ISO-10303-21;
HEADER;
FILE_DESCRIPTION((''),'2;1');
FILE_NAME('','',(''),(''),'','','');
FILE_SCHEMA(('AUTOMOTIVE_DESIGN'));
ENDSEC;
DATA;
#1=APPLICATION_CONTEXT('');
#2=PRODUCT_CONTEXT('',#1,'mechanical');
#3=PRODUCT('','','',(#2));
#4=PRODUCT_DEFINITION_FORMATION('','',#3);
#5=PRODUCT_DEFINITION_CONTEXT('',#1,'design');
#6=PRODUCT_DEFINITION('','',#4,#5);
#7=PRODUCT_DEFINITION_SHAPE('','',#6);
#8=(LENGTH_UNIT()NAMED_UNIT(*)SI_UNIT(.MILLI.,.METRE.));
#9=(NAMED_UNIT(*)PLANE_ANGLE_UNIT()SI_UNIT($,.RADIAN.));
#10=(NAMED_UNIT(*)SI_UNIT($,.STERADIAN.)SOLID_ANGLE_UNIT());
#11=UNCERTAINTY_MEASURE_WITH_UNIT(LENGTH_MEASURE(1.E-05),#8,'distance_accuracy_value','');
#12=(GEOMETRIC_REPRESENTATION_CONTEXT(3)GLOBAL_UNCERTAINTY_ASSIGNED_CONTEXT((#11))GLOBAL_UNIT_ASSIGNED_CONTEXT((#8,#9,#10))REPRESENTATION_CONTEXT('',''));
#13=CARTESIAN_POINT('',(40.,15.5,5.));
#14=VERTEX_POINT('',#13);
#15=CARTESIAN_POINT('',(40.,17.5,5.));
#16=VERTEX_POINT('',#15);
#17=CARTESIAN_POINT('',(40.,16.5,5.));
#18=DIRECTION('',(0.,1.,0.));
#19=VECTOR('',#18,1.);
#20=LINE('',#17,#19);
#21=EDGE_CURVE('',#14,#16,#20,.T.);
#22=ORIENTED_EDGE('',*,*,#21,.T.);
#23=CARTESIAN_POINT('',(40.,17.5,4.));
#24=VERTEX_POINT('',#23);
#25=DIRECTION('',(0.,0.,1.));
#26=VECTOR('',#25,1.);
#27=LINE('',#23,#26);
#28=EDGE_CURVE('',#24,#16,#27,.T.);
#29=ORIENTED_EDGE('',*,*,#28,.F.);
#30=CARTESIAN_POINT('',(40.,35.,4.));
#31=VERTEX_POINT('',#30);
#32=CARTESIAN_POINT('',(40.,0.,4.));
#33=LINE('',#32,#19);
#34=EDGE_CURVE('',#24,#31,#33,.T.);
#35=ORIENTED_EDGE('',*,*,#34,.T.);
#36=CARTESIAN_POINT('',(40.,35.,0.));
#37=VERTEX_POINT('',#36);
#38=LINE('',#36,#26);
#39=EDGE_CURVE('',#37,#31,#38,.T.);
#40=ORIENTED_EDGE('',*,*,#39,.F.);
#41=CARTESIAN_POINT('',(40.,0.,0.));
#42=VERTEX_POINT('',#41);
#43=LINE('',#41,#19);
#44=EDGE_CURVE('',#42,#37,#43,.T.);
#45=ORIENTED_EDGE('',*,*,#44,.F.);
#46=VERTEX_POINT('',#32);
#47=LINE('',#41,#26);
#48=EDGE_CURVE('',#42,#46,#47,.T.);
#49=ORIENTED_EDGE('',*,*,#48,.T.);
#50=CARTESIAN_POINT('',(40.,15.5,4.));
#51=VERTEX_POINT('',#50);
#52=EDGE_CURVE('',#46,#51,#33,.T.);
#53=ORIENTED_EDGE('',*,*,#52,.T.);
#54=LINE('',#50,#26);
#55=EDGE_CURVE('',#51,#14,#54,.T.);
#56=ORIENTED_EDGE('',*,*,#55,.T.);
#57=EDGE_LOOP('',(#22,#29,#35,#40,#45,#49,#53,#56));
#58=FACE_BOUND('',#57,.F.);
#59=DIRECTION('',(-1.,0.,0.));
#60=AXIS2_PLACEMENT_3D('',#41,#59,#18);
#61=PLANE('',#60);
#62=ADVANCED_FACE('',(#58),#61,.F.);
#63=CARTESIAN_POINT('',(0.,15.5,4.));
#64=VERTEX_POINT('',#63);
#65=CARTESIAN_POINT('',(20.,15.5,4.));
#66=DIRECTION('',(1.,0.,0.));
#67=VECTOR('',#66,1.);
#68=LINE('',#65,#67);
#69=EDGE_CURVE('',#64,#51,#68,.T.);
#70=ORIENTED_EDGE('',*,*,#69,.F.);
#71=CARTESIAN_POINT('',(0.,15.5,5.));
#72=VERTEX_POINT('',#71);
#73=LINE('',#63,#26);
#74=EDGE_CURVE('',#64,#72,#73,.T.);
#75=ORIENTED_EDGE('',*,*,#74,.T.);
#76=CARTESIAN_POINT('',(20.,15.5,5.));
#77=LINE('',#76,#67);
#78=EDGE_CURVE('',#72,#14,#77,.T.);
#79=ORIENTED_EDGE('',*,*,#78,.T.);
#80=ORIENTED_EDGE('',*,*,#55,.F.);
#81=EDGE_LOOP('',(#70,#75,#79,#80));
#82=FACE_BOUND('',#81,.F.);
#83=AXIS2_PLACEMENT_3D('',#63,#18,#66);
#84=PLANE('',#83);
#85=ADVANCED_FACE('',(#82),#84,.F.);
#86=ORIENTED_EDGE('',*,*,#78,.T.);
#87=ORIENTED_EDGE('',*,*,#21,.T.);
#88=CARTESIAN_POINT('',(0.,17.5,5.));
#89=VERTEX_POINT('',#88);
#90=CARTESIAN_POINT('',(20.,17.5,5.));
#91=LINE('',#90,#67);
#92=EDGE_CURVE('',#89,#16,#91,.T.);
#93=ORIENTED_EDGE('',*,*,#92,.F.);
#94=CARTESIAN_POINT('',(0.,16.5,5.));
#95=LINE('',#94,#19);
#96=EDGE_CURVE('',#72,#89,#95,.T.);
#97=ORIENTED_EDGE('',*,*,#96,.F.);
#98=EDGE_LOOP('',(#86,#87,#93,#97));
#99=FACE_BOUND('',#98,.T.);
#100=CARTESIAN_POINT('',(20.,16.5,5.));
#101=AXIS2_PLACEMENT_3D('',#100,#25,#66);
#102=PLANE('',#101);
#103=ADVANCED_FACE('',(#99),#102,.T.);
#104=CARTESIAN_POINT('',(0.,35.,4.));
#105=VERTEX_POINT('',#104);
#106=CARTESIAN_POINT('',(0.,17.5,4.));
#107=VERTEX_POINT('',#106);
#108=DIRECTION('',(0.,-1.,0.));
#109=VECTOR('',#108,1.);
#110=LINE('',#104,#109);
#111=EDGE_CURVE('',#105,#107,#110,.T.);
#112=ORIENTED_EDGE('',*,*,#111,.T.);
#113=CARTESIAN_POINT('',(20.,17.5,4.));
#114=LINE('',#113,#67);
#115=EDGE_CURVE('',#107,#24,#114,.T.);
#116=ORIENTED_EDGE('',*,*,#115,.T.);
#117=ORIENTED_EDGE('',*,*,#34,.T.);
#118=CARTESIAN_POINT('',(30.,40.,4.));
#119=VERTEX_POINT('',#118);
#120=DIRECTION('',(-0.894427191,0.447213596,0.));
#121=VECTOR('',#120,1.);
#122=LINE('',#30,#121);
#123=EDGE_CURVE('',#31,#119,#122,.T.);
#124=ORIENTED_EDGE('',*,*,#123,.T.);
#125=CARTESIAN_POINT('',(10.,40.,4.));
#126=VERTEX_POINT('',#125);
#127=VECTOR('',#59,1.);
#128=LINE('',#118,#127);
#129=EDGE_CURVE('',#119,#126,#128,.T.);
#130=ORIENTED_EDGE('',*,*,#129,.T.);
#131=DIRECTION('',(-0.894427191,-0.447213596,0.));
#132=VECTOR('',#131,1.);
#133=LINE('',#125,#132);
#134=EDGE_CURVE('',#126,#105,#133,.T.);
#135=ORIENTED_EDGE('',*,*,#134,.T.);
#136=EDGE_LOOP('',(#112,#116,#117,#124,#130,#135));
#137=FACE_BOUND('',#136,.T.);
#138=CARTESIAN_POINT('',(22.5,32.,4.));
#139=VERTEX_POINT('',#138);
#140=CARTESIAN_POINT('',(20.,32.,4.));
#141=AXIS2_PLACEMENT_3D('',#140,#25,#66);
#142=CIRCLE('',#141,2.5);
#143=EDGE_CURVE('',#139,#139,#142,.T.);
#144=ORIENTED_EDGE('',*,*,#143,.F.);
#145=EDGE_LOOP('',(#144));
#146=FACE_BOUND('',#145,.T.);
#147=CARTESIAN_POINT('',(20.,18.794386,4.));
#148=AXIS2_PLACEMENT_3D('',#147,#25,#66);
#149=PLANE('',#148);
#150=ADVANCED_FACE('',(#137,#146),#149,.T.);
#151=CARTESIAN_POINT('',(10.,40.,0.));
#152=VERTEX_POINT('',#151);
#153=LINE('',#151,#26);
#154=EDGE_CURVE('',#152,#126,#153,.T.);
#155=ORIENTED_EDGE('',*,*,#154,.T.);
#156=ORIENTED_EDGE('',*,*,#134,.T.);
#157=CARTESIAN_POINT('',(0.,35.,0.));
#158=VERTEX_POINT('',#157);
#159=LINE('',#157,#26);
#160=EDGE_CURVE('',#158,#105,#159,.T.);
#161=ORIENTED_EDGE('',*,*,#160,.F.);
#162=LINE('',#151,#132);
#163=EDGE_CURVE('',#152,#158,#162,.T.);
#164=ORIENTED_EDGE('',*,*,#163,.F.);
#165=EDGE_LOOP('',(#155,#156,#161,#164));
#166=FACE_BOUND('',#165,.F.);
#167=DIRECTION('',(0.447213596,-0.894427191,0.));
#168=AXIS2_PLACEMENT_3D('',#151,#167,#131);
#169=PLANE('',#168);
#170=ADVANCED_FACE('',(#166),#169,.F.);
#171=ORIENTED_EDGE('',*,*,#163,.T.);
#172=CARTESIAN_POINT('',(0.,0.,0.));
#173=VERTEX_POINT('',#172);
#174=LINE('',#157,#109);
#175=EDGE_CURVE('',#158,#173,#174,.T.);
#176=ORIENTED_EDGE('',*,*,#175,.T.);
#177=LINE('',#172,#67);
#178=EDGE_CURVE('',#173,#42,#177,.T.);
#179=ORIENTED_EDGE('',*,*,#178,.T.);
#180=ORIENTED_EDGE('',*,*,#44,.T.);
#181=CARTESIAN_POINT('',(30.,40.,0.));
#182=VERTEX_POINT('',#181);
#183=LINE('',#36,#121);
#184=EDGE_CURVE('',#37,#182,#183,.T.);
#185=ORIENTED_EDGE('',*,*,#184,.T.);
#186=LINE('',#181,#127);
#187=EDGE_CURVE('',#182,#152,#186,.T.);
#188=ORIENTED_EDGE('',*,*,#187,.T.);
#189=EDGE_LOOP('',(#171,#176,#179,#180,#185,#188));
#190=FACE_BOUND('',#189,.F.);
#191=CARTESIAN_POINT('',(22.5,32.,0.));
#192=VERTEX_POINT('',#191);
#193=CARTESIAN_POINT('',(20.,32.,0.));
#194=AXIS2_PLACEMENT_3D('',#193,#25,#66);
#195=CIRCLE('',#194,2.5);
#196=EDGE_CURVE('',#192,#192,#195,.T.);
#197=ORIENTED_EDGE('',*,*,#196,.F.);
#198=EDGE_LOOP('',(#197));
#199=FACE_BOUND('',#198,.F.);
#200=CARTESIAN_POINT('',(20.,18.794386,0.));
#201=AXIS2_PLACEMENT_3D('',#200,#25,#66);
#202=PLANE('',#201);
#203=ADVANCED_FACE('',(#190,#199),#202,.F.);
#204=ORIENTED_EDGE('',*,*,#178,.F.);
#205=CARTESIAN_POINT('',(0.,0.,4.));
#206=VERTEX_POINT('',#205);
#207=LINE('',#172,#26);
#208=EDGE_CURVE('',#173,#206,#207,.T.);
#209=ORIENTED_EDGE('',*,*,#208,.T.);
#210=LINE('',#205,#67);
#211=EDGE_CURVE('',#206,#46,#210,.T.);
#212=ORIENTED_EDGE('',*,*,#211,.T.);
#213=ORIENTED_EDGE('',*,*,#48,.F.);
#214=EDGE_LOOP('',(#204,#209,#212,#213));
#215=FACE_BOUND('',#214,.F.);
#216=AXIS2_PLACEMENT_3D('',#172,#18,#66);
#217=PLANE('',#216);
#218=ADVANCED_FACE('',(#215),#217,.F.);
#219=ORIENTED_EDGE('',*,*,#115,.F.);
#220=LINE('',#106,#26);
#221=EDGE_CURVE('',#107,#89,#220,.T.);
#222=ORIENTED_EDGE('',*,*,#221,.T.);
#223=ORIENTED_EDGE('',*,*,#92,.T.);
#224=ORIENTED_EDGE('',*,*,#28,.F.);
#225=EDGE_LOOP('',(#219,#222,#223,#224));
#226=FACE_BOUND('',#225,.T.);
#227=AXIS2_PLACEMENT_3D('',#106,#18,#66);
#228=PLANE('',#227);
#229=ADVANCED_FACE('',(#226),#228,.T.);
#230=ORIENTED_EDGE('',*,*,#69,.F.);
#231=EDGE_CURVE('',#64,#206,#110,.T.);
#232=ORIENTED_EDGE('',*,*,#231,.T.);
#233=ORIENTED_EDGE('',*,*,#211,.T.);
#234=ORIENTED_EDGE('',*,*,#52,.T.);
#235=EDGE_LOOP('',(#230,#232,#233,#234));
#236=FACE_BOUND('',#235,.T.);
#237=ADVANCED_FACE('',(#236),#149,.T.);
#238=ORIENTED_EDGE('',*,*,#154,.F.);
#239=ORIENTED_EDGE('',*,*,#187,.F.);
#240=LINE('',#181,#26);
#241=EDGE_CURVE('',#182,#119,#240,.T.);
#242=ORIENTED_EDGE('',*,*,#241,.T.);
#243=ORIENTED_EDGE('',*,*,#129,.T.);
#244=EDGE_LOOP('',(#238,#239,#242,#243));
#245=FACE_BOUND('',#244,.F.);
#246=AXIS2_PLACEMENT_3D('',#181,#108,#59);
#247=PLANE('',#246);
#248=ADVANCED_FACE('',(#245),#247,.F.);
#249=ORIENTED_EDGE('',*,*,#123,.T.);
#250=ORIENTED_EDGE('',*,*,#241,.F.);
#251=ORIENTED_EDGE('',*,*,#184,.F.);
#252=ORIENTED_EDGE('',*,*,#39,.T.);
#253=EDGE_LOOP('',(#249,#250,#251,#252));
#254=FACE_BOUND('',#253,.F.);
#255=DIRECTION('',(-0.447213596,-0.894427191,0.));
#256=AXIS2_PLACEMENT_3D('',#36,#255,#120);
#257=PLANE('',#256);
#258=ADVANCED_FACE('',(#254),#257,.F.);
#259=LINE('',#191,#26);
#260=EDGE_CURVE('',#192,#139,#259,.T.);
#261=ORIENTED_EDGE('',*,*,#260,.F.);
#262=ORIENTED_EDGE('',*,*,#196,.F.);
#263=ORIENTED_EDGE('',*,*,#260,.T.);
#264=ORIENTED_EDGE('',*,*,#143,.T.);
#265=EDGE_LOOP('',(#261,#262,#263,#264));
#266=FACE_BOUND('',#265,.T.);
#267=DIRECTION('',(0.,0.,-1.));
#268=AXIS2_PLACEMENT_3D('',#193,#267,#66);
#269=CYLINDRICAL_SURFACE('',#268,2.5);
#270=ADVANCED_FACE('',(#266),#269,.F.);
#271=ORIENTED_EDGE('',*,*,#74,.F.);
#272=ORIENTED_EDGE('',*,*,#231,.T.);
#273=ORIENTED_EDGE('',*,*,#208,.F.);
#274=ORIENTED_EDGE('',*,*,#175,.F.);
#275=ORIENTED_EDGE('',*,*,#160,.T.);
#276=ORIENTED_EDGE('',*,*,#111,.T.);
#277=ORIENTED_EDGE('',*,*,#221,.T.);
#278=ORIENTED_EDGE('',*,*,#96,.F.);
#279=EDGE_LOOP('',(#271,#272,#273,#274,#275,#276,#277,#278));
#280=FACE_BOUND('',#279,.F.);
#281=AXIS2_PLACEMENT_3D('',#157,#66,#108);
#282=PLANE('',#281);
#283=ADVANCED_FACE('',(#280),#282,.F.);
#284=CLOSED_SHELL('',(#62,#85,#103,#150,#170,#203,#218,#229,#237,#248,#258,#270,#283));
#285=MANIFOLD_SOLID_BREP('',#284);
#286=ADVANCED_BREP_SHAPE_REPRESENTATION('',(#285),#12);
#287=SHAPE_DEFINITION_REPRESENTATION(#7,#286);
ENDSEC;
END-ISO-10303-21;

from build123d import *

# Parameters (mm, degrees)
F0_R     = 2.5
F1_DEPTH = 4
F2_W     = 40
F2_H     = 2
F3_DEPTH = 1


with BuildPart() as f1:
    # F0 (on Top) → F1 (new body)
    with BuildSketch(Plane.XY):
        Polygon((0, 35), (0, 0), (40, 0), (40, 35), (30, 40), (10, 40), align=None)
        with Locations((20, 32)):
            Circle(F0_R, mode=Mode.SUBTRACT)
    extrude(amount=F1_DEPTH)

    # F2 (on face) → F3 (join)
    with BuildSketch(Plane.XY.offset(4)):
        with Locations((20, 16.5)):
            Rectangle(F2_W, F2_H)
    extrude(amount=F3_DEPTH)


solid = f1.part
